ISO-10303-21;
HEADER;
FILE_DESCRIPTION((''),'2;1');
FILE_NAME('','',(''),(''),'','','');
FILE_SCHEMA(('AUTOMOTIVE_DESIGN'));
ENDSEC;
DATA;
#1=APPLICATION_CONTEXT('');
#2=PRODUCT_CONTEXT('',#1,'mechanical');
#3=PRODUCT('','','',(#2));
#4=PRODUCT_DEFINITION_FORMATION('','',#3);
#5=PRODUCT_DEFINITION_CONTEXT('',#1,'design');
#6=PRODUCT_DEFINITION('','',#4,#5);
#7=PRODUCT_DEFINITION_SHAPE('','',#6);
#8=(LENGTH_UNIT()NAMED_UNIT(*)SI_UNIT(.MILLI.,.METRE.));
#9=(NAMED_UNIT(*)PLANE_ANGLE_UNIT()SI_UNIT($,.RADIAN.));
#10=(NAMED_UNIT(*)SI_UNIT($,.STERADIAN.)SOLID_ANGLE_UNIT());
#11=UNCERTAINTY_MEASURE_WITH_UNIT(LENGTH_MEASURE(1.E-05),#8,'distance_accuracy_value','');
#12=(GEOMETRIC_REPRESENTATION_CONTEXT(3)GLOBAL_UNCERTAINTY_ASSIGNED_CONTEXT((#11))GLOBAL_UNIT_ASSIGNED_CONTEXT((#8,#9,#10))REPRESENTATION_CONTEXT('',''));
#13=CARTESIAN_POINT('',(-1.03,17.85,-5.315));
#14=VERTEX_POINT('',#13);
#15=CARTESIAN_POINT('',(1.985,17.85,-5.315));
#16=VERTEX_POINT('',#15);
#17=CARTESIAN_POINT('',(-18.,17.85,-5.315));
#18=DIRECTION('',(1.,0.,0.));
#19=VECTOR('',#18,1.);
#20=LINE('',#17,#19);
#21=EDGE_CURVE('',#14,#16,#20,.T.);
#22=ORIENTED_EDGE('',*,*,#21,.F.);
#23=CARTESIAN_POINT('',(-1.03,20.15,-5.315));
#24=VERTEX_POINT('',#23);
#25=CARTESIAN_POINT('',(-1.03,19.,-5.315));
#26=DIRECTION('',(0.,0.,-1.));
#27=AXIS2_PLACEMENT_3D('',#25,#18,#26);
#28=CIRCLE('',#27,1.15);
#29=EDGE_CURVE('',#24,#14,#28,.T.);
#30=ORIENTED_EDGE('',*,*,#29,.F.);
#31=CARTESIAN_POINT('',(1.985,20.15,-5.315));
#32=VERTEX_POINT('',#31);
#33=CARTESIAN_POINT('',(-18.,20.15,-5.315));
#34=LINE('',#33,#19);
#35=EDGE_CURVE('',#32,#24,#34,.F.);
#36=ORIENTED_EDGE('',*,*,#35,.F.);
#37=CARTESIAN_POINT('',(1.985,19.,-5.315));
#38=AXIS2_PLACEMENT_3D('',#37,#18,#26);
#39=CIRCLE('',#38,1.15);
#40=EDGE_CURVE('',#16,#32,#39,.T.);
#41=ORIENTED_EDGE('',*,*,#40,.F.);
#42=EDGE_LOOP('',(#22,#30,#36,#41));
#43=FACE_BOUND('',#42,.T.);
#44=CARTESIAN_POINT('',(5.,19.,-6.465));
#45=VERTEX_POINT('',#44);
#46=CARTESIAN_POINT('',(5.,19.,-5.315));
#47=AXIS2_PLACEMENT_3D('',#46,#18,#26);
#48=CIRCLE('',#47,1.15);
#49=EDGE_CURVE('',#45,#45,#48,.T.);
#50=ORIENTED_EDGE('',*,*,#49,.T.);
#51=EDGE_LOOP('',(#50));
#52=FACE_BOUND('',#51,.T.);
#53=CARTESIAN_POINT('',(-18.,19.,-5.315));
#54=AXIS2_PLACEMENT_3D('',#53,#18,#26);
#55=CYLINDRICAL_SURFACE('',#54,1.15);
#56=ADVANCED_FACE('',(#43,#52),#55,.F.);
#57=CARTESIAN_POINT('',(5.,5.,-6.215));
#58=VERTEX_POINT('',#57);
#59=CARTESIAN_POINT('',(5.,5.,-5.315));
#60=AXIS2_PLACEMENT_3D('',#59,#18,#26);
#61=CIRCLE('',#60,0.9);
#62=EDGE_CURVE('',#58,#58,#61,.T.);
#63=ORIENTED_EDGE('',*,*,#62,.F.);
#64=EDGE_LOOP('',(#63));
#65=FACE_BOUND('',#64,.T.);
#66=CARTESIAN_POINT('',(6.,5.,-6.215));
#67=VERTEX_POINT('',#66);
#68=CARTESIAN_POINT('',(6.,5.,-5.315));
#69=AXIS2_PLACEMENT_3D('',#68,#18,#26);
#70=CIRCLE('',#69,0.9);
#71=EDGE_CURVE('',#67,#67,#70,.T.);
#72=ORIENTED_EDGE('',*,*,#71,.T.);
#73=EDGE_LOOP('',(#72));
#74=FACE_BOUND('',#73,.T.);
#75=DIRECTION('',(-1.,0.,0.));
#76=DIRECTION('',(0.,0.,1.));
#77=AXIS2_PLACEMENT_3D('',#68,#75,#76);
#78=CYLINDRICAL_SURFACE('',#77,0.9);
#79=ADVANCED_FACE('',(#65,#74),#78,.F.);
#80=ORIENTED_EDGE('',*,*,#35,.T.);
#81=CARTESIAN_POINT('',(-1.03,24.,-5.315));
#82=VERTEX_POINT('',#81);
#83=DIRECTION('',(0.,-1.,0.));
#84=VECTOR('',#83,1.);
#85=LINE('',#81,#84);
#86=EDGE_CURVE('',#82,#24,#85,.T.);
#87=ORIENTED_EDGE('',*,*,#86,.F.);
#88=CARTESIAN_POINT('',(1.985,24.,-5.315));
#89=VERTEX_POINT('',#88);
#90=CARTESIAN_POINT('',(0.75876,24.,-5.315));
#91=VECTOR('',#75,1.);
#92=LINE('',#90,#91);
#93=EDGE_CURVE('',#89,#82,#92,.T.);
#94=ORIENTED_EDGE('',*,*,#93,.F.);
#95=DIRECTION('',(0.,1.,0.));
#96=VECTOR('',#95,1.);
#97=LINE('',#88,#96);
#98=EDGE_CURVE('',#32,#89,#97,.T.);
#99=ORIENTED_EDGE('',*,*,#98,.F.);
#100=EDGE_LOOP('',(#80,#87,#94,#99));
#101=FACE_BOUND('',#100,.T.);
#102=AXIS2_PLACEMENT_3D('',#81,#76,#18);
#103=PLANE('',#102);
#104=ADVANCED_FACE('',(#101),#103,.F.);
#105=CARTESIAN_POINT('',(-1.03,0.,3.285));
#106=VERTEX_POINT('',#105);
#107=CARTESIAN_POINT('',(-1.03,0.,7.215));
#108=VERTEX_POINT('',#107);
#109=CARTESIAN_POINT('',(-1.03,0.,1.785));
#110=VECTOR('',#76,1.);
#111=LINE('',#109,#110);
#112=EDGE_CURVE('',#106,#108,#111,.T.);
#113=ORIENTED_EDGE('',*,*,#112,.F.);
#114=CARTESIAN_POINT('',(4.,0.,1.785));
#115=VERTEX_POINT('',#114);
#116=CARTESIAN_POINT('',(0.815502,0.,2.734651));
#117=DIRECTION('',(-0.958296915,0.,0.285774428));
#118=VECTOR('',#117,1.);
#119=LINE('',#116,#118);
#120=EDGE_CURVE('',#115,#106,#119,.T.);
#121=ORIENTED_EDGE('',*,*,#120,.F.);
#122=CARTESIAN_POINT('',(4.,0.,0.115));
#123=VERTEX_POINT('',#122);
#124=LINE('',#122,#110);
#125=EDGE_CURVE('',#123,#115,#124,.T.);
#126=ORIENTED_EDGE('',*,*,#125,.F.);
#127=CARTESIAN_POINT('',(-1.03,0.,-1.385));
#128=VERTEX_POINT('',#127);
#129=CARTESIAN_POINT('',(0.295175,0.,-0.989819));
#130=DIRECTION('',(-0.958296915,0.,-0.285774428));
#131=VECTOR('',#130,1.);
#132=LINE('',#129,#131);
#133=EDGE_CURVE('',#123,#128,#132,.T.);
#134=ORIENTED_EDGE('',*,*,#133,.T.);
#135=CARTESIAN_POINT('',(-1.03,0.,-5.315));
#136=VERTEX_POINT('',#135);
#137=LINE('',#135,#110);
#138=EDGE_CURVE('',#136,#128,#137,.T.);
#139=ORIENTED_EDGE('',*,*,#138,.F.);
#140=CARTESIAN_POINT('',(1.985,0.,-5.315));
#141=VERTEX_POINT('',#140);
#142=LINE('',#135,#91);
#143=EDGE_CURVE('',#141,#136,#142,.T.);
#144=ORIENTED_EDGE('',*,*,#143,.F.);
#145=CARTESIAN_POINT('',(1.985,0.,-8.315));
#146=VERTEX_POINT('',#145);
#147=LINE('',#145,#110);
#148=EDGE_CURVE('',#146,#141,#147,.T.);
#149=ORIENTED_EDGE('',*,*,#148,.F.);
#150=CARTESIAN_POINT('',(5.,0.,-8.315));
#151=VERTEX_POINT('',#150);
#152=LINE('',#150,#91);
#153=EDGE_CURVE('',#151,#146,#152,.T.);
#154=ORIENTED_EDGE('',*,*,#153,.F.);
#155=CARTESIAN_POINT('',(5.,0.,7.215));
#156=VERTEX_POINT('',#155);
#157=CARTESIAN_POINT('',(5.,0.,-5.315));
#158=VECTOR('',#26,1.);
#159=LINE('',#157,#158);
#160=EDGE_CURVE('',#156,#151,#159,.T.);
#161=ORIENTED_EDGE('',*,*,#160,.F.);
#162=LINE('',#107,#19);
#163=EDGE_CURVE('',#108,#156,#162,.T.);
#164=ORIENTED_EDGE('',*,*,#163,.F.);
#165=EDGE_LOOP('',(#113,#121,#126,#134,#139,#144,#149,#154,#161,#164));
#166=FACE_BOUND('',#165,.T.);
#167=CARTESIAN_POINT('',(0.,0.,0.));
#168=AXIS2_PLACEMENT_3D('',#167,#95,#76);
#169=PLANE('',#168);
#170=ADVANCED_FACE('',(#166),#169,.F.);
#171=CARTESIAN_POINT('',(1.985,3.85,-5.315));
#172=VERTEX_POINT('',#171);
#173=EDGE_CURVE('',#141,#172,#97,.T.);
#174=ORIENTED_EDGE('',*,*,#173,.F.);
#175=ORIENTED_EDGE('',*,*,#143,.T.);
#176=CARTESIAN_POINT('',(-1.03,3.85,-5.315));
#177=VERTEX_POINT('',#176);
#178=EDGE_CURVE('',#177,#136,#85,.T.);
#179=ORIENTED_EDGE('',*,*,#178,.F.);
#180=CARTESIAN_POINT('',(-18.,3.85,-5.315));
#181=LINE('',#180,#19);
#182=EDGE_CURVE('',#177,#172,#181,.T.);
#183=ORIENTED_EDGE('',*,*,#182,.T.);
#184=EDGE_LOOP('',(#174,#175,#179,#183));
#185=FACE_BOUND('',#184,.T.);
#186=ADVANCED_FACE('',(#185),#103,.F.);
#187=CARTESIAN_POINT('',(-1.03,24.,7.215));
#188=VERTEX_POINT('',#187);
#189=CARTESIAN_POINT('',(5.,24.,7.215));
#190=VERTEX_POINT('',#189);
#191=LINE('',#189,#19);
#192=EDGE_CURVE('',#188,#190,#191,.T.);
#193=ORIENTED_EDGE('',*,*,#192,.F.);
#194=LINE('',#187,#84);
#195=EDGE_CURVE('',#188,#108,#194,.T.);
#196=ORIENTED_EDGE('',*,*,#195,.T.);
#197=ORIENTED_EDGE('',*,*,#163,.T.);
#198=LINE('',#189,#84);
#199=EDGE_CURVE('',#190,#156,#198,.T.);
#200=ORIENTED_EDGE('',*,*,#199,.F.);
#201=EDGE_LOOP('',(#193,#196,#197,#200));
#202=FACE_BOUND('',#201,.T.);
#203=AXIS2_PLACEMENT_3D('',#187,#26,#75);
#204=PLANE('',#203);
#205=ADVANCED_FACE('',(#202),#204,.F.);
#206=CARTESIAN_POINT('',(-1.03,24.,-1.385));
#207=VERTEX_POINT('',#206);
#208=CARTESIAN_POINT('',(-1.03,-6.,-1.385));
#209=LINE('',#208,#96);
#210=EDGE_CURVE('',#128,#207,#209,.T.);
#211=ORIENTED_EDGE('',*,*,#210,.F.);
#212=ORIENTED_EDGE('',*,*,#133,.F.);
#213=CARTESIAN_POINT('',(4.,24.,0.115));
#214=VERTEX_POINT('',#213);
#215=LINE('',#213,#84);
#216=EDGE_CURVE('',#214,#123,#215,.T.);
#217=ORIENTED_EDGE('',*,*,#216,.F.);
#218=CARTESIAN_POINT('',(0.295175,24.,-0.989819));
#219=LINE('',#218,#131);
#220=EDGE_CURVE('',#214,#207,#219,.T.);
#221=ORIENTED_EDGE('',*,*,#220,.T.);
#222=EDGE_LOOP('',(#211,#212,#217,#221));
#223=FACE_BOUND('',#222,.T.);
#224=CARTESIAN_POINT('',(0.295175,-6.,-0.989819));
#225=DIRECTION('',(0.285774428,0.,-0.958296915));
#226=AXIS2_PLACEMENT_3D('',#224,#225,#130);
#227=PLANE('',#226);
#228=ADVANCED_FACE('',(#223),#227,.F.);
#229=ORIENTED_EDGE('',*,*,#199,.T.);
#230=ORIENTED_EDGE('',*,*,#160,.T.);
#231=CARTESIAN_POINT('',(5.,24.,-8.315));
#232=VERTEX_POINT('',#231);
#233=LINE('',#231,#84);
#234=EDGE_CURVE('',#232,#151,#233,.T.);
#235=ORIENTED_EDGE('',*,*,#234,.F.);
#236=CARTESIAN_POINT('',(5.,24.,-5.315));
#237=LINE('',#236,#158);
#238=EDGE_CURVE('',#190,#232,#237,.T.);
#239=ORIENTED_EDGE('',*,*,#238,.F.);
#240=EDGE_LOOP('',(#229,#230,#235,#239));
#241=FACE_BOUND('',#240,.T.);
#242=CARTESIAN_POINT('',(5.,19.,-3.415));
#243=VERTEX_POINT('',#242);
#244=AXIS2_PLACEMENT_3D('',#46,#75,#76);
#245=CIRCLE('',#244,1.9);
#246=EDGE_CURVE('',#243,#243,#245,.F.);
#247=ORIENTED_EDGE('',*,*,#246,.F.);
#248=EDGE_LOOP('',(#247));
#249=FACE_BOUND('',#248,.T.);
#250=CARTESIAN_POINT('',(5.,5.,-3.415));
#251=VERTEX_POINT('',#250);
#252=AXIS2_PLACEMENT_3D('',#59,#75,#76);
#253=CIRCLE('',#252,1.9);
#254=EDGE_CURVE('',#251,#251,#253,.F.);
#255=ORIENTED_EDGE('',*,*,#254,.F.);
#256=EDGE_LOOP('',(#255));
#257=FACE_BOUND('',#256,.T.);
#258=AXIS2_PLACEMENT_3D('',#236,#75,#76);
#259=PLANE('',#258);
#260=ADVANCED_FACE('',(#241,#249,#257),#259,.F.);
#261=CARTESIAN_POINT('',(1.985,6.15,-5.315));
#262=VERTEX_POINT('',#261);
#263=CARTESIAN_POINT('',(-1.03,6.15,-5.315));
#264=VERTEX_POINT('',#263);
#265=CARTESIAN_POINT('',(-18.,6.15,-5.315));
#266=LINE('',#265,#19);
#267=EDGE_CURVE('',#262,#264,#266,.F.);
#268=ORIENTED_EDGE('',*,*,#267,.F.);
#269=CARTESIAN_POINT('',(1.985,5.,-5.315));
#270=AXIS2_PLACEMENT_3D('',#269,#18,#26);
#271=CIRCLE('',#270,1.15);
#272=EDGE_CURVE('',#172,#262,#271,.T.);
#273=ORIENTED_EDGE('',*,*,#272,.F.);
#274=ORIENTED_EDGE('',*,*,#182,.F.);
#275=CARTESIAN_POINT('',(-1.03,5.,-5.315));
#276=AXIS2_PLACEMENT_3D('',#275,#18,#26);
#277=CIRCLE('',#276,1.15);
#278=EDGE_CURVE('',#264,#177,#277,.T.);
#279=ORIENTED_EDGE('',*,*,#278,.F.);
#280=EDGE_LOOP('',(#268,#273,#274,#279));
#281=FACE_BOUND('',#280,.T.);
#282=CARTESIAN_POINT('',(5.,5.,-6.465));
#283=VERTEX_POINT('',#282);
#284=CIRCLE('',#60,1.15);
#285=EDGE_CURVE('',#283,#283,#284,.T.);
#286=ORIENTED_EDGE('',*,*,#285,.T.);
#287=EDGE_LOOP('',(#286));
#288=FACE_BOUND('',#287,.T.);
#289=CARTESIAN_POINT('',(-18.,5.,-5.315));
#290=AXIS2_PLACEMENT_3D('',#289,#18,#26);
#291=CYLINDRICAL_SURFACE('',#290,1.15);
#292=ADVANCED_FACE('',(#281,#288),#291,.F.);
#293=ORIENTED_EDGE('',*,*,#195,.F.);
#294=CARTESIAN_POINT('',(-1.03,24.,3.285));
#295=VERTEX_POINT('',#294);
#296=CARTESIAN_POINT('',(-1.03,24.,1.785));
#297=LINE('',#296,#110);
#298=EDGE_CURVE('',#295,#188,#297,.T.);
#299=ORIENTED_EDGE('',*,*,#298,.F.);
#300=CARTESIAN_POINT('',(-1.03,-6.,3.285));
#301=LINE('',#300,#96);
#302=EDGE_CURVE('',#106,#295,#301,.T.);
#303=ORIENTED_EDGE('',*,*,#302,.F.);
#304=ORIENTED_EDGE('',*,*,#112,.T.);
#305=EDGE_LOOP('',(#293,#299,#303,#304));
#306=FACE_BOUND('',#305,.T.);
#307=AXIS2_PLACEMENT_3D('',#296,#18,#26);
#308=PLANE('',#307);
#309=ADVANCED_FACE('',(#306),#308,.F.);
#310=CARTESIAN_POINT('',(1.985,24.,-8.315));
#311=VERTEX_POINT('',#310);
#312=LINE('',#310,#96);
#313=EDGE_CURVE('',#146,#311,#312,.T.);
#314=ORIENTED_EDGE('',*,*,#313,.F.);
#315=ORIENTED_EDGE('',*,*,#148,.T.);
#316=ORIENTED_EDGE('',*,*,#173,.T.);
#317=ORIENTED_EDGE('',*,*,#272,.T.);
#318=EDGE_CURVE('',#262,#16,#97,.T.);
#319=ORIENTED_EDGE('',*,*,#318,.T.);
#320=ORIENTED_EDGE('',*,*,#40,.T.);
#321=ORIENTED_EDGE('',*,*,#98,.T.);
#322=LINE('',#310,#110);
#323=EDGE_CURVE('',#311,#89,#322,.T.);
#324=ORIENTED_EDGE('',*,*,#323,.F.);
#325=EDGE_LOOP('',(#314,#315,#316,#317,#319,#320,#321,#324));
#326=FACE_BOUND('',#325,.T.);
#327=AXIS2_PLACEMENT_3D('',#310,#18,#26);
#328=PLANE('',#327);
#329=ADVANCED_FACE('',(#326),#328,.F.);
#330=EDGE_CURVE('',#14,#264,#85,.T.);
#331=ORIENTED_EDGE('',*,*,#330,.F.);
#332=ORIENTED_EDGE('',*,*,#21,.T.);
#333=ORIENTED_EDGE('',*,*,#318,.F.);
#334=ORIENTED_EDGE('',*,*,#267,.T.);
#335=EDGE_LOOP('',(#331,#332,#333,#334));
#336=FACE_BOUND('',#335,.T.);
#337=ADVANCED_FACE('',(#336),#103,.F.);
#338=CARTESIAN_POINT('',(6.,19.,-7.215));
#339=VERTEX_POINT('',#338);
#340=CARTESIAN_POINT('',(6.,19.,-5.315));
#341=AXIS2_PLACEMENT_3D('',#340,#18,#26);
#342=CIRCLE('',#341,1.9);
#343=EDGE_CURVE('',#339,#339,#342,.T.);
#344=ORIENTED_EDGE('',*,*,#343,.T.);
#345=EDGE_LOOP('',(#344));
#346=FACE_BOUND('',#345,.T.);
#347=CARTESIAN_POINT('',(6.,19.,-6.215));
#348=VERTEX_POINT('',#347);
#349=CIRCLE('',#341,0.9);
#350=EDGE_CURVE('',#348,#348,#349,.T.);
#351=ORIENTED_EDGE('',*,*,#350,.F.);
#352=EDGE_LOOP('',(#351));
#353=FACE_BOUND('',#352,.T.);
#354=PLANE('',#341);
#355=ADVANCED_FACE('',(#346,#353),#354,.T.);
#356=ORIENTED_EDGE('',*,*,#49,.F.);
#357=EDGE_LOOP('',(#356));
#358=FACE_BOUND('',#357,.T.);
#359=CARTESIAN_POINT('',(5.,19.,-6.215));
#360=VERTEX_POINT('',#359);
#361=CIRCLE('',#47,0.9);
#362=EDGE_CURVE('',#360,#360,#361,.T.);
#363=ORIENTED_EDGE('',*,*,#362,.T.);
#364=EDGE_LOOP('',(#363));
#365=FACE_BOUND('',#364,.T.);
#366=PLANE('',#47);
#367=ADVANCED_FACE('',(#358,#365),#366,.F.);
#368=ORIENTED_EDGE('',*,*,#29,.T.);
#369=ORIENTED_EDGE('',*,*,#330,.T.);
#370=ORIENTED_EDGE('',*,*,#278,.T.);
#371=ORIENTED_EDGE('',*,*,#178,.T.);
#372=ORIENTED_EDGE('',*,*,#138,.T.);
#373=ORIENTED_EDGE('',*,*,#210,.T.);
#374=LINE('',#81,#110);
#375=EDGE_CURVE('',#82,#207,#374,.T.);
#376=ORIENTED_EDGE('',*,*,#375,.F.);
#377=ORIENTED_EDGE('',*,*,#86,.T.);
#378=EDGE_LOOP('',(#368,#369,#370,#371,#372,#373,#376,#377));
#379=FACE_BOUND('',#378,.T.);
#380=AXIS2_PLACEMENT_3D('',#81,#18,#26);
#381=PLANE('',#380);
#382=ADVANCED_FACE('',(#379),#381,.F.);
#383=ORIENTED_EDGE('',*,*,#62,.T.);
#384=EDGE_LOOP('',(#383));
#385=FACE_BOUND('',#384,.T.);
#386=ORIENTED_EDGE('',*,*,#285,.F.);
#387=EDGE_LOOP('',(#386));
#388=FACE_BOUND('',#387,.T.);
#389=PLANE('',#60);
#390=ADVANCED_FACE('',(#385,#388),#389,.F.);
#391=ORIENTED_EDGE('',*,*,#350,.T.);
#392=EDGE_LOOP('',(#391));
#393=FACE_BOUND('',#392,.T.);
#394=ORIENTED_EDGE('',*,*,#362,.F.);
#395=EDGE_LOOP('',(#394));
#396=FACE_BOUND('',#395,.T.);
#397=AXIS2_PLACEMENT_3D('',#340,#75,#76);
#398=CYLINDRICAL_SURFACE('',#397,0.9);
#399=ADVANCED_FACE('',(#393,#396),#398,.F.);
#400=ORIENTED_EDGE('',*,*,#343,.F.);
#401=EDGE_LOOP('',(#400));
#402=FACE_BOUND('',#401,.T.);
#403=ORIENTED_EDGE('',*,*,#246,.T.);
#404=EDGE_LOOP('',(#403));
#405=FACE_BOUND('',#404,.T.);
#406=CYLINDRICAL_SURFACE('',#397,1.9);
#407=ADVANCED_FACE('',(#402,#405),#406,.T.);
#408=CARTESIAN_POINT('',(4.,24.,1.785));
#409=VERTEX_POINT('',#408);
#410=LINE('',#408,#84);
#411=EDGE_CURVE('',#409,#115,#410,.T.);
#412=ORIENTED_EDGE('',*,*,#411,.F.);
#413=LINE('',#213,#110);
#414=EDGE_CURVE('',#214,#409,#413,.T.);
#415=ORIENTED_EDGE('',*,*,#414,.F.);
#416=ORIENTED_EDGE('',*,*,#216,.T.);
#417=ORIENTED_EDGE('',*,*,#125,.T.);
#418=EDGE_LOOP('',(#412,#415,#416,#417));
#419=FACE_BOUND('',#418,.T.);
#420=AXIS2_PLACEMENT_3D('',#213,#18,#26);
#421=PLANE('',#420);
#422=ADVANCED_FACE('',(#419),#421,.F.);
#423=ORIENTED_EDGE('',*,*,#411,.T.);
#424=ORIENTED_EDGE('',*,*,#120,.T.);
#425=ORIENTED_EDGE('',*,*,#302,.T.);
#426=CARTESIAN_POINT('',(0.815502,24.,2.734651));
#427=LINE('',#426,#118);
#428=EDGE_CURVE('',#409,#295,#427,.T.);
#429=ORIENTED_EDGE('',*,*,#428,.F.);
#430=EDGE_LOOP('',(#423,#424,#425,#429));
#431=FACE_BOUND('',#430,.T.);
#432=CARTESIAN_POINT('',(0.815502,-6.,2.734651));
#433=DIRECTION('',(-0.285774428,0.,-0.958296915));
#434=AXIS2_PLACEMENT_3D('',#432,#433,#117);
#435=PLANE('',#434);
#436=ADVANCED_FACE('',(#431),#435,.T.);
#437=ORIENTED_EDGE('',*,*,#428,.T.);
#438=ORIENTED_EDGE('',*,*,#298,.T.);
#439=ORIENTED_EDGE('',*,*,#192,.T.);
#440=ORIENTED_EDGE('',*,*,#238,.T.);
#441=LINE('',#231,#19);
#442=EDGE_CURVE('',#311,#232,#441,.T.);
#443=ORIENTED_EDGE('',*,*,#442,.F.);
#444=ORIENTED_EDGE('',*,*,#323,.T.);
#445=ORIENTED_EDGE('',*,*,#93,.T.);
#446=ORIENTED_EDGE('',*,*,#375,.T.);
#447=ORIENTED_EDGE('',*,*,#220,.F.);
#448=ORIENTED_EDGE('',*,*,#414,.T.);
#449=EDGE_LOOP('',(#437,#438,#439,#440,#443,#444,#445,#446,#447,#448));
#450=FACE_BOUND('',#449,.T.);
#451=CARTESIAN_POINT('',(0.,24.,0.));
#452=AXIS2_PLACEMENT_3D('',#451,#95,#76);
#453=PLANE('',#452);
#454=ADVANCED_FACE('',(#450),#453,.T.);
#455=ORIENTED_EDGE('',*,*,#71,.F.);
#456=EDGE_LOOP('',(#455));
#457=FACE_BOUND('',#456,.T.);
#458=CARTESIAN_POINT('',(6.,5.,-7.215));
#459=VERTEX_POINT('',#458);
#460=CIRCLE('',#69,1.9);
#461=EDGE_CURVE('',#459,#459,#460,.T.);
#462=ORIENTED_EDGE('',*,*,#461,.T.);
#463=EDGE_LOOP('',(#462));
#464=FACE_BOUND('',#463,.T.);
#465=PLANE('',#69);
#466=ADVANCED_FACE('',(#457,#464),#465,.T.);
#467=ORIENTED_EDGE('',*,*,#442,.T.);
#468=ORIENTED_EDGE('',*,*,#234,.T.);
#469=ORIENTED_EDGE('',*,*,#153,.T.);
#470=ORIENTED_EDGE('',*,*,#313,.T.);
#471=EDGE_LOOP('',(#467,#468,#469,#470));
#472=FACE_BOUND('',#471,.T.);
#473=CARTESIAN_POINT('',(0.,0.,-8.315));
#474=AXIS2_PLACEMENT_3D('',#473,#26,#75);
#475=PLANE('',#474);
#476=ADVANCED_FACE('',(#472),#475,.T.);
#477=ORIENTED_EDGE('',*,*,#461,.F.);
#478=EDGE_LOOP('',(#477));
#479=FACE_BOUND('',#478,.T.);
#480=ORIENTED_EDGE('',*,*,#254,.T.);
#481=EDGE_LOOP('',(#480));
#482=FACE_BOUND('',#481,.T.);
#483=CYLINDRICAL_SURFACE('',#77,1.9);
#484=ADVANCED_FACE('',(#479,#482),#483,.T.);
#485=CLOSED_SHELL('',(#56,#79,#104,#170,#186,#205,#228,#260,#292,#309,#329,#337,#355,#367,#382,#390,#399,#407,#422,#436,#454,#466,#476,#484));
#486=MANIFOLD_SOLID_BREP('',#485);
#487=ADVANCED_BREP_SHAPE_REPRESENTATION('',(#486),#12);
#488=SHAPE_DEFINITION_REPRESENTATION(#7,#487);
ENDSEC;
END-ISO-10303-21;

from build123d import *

# Parameters (mm, degrees)
BOSS_EXTRUDE1_DEPTH = 24
SKETCH7_W           = 3.015
SKETCH7_H           = 24
BOSS_EXTRUDE3_DEPTH = 3
SKETCH3_R           = 1.9
SKETCH3_R_2         = 0.9
BOSS_EXTRUDE2_DEPTH = 1
SKETCH4_R           = 1.15
CUT_EXTRUDE2_DEPTH  = 23
CUT_EXTRUDE3_DEPTH  = 30


with BuildPart() as part:
    # Sketch1 → Boss-Extrude1 (new body)
    with BuildSketch(Plane(origin=(0, 0, 0), x_dir=(1, 0, 0), z_dir=(0, 1, 0))):
        Polygon((0.758759529, 5.315), (5, 5.315), (5, -7.215), (1.398203198, -7.215), (-1.03, -7.215), (-1.03, -1.785), (4, -1.785), (4, -0.115), (-1.03, -0.115), (-1.03, 5.315), align=None)
    extrude(amount=BOSS_EXTRUDE1_DEPTH)

    # Sketch7 → Boss-Extrude3 (add)
    with BuildSketch(Plane(origin=(0, 0, -5.315), x_dir=(-1, 0, 0), z_dir=(0, 0, -1))):
        with Locations((-3.4925, 12)):
            Rectangle(SKETCH7_W, SKETCH7_H)
    extrude(amount=BOSS_EXTRUDE3_DEPTH)

    # Sketch3 → Boss-Extrude2 (add)
    with BuildSketch(Plane(origin=(5, 0, 0), x_dir=(0, 0, -1), z_dir=(1, 0, 0))):
        with Locations((5.315, 19)):
            Circle(SKETCH3_R)
        with Locations((5.315, 19)):
            Circle(SKETCH3_R_2, mode=Mode.SUBTRACT)
        with Locations((5.315, 5)):
            Circle(SKETCH3_R)
        with Locations((5.315, 5)):
            Circle(SKETCH3_R_2, mode=Mode.SUBTRACT)
    extrude(amount=BOSS_EXTRUDE2_DEPTH)

    # Sketch4 → Cut-Extrude2 (cut)
    with BuildSketch(Plane(origin=(5, 0, 0), x_dir=(0, 0, -1), z_dir=(1, 0, 0))):
        with Locations((5.315, 19)):
            Circle(SKETCH4_R)
        with Locations((5.315, 5)):
            Circle(SKETCH4_R)
    extrude(amount=-CUT_EXTRUDE2_DEPTH, mode=Mode.SUBTRACT)

    # Sketch6 → Cut-Extrude3 (cut)
    with BuildSketch(Plane(origin=(0, 24, 0), x_dir=(1, 0, 0), z_dir=(0, 1, 0))):
        Polygon((-1.03, -0.115), (4, -0.115), (-1.03, 1.385), align=None)
        Polygon((4, -1.785), (-1.03, -1.785), (-1.03, -3.285), align=None)
    extrude(amount=-CUT_EXTRUDE3_DEPTH, mode=Mode.SUBTRACT)


solid = part.part
